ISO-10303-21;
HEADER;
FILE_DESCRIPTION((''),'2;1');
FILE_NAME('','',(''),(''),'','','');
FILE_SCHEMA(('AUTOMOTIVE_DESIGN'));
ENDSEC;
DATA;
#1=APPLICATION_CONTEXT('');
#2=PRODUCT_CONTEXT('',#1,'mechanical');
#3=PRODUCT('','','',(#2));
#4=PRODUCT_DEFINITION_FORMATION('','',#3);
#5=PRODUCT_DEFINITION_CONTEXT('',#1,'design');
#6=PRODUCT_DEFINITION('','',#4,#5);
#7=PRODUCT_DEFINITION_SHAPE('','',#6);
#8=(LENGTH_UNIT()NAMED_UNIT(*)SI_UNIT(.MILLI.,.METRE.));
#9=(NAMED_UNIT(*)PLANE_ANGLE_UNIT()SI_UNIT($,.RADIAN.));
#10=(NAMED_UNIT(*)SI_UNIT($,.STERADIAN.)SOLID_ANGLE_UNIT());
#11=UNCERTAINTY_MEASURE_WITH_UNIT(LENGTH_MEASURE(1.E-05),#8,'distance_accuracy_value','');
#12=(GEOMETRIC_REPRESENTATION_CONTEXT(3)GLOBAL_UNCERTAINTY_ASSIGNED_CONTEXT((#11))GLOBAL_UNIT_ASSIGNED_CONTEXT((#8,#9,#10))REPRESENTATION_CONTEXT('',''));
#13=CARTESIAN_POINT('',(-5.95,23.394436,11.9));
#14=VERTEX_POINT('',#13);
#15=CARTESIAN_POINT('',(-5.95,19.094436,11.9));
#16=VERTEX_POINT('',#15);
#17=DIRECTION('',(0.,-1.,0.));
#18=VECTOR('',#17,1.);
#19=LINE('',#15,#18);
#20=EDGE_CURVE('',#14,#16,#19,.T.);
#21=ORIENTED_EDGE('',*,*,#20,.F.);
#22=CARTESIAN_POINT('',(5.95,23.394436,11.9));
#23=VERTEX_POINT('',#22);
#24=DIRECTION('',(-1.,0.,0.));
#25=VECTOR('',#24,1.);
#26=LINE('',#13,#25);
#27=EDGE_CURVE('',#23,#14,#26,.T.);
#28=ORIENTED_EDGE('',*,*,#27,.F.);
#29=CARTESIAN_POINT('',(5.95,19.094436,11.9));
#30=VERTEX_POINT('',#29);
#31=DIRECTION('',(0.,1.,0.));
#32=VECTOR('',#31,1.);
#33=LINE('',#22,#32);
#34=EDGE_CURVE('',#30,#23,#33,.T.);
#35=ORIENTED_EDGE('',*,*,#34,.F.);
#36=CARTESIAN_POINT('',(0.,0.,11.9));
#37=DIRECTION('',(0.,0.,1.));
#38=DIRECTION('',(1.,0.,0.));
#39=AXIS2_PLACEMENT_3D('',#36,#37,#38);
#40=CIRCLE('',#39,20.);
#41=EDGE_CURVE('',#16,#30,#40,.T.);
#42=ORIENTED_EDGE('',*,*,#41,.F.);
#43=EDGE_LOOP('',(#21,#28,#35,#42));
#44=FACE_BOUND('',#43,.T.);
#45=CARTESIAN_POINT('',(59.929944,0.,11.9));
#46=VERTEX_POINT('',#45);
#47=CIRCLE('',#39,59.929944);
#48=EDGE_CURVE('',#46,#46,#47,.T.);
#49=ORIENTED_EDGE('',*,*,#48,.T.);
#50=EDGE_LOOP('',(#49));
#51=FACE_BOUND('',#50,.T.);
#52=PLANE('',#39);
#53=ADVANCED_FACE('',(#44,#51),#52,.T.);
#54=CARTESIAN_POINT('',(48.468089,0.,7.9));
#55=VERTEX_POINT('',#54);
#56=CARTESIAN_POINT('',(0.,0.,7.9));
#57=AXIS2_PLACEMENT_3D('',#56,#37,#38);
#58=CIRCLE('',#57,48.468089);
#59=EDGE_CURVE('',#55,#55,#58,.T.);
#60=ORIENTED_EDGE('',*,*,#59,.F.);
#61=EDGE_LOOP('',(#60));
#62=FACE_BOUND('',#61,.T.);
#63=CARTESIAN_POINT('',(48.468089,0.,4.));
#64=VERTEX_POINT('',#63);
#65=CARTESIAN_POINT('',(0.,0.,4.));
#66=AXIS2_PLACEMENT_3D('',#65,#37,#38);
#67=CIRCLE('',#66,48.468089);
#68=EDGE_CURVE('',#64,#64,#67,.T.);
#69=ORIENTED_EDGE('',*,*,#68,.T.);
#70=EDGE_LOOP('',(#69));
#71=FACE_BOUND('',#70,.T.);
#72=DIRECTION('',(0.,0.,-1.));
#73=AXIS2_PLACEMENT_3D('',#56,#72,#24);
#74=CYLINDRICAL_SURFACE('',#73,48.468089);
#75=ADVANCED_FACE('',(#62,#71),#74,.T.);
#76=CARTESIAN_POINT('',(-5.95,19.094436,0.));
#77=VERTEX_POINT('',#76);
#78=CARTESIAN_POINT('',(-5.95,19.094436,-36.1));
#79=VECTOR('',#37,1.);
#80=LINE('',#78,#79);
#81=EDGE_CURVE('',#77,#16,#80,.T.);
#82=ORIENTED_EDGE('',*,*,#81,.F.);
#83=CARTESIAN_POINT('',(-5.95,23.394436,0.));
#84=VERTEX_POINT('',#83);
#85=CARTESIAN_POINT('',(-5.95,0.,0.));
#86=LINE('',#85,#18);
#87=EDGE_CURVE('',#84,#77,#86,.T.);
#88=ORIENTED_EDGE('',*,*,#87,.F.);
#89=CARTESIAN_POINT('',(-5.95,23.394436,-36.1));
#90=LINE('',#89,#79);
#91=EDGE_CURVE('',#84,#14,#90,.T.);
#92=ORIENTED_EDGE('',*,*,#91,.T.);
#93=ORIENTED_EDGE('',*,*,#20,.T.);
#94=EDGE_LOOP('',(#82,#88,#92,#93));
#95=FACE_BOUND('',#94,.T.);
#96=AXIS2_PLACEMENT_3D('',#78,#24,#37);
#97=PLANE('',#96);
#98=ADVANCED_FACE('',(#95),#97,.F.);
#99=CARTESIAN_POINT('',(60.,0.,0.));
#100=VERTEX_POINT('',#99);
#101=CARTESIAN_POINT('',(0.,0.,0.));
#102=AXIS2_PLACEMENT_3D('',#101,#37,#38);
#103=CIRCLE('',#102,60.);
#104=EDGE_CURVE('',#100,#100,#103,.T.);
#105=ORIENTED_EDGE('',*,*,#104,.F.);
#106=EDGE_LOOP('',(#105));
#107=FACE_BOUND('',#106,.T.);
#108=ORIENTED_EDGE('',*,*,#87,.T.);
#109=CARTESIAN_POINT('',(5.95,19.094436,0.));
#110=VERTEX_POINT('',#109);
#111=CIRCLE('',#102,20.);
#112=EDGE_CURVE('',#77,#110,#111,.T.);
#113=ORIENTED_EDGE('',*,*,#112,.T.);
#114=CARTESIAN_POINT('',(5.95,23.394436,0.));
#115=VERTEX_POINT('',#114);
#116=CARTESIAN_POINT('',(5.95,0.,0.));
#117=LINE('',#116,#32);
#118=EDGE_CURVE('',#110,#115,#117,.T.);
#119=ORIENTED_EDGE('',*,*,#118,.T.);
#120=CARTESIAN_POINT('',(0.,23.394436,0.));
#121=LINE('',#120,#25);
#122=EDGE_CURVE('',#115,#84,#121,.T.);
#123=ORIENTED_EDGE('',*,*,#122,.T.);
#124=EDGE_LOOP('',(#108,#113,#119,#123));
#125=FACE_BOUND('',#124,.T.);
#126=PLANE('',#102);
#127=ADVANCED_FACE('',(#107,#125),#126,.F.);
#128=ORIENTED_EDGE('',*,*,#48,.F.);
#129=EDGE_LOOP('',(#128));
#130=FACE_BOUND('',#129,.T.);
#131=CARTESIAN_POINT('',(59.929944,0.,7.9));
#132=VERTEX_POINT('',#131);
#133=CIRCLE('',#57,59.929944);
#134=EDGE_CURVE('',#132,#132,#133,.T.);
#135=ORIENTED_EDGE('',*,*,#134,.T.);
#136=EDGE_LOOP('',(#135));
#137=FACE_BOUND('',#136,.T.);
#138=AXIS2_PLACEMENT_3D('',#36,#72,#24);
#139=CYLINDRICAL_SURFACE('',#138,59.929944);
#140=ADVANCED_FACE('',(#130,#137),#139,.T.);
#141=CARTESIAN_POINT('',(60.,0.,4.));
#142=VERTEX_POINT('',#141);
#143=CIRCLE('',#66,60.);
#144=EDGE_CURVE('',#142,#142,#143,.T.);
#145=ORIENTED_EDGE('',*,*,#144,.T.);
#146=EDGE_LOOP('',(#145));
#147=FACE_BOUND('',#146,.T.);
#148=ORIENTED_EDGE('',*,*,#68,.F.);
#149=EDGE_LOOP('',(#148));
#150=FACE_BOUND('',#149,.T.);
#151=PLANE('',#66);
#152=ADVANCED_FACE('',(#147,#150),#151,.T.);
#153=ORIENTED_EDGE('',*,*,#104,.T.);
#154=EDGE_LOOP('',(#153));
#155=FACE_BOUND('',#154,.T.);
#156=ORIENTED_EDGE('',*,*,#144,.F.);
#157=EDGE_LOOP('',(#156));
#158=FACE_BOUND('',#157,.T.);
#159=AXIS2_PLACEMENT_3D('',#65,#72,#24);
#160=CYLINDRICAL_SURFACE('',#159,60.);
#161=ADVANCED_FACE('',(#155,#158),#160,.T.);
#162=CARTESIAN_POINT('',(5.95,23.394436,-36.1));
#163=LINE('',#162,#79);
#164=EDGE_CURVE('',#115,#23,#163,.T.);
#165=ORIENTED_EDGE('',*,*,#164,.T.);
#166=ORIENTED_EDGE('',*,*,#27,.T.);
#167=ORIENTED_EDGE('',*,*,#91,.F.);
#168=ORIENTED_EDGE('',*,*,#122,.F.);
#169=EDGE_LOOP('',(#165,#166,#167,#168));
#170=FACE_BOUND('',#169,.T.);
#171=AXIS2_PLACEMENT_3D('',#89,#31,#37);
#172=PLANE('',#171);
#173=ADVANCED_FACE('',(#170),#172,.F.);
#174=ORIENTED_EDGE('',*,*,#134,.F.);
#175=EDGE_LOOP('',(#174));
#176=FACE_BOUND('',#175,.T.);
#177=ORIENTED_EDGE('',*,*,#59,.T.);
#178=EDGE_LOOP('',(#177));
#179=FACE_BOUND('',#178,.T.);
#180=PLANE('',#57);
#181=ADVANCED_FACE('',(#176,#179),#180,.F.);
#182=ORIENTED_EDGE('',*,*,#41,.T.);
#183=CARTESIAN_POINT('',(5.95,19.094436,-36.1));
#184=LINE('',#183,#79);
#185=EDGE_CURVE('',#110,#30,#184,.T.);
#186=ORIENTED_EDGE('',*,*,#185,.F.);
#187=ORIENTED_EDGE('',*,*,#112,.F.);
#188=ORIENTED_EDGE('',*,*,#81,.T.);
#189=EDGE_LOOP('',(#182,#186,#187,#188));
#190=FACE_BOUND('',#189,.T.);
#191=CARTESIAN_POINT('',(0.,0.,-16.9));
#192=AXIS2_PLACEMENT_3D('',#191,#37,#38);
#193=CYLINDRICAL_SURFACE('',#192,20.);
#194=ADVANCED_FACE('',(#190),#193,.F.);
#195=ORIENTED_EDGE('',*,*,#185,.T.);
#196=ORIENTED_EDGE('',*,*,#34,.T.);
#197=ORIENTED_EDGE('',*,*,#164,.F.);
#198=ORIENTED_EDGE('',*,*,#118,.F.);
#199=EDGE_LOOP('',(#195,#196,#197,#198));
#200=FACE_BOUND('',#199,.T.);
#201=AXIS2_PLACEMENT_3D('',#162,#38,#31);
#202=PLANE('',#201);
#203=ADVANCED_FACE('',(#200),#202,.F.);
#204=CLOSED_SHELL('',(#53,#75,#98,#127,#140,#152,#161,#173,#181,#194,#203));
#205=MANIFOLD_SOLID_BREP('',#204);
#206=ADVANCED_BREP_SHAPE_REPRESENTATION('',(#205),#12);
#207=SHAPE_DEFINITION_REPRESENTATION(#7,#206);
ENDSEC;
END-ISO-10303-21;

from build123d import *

# Parameters (mm, degrees)
SKETCH1_R           = 60
BOSS_EXTRUDE2_DEPTH = 4
SKETCH2_R           = 20
CUT_EXTRUDE1_DEPTH  = 20.9
SKETCH3_R           = 48.468089367
BOSS_EXTRUDE3_DEPTH = 3.9
SKETCH4_R           = 59.929943569
BOSS_EXTRUDE6_DEPTH = 4
SKETCH8_R           = 20
CUT_EXTRUDE5_DEPTH  = 48
CUT_EXTRUDE6_DEPTH  = 48


with BuildPart() as part:
    # Sketch1 → Boss-Extrude2 (new body)
    with BuildSketch(Plane.XY):
        Circle(SKETCH1_R)
    extrude(amount=BOSS_EXTRUDE2_DEPTH)

    # Sketch2 → Cut-Extrude1 (cut)
    with BuildSketch(Plane.XY.offset(4)):
        Circle(SKETCH2_R)
    extrude(amount=-CUT_EXTRUDE1_DEPTH, mode=Mode.SUBTRACT)

    # Sketch3 → Boss-Extrude3 (add)
    with BuildSketch(Plane.XY.offset(4)):
        Circle(SKETCH3_R)
    extrude(amount=BOSS_EXTRUDE3_DEPTH)

    # Sketch4 → Boss-Extrude6 (add)
    with BuildSketch(Plane.XY.offset(7.9)):
        Circle(SKETCH4_R)
    extrude(amount=BOSS_EXTRUDE6_DEPTH)

    # Sketch8 → Cut-Extrude5 (cut)
    with BuildSketch(Plane.XY.offset(11.9)):
        Circle(SKETCH8_R)
    extrude(amount=-CUT_EXTRUDE5_DEPTH, mode=Mode.SUBTRACT)

    # Sketch9 → Cut-Extrude6 (cut)
    with BuildSketch(Plane.XY.offset(11.9)):
        with BuildLine():
            Line((-5.95, 19.094436362), (-5.95, 23.394436362))
            Line((-5.95, 23.394436362), (5.95, 23.394436362))
            Line((5.95, 23.394436362), (5.95, 19.094436362))
            ThreePointArc((5.95, 19.094436362), (0, 20), (-5.95, 19.094436362))
        make_face()
    extrude(amount=-CUT_EXTRUDE6_DEPTH, mode=Mode.SUBTRACT)


solid = part.part
